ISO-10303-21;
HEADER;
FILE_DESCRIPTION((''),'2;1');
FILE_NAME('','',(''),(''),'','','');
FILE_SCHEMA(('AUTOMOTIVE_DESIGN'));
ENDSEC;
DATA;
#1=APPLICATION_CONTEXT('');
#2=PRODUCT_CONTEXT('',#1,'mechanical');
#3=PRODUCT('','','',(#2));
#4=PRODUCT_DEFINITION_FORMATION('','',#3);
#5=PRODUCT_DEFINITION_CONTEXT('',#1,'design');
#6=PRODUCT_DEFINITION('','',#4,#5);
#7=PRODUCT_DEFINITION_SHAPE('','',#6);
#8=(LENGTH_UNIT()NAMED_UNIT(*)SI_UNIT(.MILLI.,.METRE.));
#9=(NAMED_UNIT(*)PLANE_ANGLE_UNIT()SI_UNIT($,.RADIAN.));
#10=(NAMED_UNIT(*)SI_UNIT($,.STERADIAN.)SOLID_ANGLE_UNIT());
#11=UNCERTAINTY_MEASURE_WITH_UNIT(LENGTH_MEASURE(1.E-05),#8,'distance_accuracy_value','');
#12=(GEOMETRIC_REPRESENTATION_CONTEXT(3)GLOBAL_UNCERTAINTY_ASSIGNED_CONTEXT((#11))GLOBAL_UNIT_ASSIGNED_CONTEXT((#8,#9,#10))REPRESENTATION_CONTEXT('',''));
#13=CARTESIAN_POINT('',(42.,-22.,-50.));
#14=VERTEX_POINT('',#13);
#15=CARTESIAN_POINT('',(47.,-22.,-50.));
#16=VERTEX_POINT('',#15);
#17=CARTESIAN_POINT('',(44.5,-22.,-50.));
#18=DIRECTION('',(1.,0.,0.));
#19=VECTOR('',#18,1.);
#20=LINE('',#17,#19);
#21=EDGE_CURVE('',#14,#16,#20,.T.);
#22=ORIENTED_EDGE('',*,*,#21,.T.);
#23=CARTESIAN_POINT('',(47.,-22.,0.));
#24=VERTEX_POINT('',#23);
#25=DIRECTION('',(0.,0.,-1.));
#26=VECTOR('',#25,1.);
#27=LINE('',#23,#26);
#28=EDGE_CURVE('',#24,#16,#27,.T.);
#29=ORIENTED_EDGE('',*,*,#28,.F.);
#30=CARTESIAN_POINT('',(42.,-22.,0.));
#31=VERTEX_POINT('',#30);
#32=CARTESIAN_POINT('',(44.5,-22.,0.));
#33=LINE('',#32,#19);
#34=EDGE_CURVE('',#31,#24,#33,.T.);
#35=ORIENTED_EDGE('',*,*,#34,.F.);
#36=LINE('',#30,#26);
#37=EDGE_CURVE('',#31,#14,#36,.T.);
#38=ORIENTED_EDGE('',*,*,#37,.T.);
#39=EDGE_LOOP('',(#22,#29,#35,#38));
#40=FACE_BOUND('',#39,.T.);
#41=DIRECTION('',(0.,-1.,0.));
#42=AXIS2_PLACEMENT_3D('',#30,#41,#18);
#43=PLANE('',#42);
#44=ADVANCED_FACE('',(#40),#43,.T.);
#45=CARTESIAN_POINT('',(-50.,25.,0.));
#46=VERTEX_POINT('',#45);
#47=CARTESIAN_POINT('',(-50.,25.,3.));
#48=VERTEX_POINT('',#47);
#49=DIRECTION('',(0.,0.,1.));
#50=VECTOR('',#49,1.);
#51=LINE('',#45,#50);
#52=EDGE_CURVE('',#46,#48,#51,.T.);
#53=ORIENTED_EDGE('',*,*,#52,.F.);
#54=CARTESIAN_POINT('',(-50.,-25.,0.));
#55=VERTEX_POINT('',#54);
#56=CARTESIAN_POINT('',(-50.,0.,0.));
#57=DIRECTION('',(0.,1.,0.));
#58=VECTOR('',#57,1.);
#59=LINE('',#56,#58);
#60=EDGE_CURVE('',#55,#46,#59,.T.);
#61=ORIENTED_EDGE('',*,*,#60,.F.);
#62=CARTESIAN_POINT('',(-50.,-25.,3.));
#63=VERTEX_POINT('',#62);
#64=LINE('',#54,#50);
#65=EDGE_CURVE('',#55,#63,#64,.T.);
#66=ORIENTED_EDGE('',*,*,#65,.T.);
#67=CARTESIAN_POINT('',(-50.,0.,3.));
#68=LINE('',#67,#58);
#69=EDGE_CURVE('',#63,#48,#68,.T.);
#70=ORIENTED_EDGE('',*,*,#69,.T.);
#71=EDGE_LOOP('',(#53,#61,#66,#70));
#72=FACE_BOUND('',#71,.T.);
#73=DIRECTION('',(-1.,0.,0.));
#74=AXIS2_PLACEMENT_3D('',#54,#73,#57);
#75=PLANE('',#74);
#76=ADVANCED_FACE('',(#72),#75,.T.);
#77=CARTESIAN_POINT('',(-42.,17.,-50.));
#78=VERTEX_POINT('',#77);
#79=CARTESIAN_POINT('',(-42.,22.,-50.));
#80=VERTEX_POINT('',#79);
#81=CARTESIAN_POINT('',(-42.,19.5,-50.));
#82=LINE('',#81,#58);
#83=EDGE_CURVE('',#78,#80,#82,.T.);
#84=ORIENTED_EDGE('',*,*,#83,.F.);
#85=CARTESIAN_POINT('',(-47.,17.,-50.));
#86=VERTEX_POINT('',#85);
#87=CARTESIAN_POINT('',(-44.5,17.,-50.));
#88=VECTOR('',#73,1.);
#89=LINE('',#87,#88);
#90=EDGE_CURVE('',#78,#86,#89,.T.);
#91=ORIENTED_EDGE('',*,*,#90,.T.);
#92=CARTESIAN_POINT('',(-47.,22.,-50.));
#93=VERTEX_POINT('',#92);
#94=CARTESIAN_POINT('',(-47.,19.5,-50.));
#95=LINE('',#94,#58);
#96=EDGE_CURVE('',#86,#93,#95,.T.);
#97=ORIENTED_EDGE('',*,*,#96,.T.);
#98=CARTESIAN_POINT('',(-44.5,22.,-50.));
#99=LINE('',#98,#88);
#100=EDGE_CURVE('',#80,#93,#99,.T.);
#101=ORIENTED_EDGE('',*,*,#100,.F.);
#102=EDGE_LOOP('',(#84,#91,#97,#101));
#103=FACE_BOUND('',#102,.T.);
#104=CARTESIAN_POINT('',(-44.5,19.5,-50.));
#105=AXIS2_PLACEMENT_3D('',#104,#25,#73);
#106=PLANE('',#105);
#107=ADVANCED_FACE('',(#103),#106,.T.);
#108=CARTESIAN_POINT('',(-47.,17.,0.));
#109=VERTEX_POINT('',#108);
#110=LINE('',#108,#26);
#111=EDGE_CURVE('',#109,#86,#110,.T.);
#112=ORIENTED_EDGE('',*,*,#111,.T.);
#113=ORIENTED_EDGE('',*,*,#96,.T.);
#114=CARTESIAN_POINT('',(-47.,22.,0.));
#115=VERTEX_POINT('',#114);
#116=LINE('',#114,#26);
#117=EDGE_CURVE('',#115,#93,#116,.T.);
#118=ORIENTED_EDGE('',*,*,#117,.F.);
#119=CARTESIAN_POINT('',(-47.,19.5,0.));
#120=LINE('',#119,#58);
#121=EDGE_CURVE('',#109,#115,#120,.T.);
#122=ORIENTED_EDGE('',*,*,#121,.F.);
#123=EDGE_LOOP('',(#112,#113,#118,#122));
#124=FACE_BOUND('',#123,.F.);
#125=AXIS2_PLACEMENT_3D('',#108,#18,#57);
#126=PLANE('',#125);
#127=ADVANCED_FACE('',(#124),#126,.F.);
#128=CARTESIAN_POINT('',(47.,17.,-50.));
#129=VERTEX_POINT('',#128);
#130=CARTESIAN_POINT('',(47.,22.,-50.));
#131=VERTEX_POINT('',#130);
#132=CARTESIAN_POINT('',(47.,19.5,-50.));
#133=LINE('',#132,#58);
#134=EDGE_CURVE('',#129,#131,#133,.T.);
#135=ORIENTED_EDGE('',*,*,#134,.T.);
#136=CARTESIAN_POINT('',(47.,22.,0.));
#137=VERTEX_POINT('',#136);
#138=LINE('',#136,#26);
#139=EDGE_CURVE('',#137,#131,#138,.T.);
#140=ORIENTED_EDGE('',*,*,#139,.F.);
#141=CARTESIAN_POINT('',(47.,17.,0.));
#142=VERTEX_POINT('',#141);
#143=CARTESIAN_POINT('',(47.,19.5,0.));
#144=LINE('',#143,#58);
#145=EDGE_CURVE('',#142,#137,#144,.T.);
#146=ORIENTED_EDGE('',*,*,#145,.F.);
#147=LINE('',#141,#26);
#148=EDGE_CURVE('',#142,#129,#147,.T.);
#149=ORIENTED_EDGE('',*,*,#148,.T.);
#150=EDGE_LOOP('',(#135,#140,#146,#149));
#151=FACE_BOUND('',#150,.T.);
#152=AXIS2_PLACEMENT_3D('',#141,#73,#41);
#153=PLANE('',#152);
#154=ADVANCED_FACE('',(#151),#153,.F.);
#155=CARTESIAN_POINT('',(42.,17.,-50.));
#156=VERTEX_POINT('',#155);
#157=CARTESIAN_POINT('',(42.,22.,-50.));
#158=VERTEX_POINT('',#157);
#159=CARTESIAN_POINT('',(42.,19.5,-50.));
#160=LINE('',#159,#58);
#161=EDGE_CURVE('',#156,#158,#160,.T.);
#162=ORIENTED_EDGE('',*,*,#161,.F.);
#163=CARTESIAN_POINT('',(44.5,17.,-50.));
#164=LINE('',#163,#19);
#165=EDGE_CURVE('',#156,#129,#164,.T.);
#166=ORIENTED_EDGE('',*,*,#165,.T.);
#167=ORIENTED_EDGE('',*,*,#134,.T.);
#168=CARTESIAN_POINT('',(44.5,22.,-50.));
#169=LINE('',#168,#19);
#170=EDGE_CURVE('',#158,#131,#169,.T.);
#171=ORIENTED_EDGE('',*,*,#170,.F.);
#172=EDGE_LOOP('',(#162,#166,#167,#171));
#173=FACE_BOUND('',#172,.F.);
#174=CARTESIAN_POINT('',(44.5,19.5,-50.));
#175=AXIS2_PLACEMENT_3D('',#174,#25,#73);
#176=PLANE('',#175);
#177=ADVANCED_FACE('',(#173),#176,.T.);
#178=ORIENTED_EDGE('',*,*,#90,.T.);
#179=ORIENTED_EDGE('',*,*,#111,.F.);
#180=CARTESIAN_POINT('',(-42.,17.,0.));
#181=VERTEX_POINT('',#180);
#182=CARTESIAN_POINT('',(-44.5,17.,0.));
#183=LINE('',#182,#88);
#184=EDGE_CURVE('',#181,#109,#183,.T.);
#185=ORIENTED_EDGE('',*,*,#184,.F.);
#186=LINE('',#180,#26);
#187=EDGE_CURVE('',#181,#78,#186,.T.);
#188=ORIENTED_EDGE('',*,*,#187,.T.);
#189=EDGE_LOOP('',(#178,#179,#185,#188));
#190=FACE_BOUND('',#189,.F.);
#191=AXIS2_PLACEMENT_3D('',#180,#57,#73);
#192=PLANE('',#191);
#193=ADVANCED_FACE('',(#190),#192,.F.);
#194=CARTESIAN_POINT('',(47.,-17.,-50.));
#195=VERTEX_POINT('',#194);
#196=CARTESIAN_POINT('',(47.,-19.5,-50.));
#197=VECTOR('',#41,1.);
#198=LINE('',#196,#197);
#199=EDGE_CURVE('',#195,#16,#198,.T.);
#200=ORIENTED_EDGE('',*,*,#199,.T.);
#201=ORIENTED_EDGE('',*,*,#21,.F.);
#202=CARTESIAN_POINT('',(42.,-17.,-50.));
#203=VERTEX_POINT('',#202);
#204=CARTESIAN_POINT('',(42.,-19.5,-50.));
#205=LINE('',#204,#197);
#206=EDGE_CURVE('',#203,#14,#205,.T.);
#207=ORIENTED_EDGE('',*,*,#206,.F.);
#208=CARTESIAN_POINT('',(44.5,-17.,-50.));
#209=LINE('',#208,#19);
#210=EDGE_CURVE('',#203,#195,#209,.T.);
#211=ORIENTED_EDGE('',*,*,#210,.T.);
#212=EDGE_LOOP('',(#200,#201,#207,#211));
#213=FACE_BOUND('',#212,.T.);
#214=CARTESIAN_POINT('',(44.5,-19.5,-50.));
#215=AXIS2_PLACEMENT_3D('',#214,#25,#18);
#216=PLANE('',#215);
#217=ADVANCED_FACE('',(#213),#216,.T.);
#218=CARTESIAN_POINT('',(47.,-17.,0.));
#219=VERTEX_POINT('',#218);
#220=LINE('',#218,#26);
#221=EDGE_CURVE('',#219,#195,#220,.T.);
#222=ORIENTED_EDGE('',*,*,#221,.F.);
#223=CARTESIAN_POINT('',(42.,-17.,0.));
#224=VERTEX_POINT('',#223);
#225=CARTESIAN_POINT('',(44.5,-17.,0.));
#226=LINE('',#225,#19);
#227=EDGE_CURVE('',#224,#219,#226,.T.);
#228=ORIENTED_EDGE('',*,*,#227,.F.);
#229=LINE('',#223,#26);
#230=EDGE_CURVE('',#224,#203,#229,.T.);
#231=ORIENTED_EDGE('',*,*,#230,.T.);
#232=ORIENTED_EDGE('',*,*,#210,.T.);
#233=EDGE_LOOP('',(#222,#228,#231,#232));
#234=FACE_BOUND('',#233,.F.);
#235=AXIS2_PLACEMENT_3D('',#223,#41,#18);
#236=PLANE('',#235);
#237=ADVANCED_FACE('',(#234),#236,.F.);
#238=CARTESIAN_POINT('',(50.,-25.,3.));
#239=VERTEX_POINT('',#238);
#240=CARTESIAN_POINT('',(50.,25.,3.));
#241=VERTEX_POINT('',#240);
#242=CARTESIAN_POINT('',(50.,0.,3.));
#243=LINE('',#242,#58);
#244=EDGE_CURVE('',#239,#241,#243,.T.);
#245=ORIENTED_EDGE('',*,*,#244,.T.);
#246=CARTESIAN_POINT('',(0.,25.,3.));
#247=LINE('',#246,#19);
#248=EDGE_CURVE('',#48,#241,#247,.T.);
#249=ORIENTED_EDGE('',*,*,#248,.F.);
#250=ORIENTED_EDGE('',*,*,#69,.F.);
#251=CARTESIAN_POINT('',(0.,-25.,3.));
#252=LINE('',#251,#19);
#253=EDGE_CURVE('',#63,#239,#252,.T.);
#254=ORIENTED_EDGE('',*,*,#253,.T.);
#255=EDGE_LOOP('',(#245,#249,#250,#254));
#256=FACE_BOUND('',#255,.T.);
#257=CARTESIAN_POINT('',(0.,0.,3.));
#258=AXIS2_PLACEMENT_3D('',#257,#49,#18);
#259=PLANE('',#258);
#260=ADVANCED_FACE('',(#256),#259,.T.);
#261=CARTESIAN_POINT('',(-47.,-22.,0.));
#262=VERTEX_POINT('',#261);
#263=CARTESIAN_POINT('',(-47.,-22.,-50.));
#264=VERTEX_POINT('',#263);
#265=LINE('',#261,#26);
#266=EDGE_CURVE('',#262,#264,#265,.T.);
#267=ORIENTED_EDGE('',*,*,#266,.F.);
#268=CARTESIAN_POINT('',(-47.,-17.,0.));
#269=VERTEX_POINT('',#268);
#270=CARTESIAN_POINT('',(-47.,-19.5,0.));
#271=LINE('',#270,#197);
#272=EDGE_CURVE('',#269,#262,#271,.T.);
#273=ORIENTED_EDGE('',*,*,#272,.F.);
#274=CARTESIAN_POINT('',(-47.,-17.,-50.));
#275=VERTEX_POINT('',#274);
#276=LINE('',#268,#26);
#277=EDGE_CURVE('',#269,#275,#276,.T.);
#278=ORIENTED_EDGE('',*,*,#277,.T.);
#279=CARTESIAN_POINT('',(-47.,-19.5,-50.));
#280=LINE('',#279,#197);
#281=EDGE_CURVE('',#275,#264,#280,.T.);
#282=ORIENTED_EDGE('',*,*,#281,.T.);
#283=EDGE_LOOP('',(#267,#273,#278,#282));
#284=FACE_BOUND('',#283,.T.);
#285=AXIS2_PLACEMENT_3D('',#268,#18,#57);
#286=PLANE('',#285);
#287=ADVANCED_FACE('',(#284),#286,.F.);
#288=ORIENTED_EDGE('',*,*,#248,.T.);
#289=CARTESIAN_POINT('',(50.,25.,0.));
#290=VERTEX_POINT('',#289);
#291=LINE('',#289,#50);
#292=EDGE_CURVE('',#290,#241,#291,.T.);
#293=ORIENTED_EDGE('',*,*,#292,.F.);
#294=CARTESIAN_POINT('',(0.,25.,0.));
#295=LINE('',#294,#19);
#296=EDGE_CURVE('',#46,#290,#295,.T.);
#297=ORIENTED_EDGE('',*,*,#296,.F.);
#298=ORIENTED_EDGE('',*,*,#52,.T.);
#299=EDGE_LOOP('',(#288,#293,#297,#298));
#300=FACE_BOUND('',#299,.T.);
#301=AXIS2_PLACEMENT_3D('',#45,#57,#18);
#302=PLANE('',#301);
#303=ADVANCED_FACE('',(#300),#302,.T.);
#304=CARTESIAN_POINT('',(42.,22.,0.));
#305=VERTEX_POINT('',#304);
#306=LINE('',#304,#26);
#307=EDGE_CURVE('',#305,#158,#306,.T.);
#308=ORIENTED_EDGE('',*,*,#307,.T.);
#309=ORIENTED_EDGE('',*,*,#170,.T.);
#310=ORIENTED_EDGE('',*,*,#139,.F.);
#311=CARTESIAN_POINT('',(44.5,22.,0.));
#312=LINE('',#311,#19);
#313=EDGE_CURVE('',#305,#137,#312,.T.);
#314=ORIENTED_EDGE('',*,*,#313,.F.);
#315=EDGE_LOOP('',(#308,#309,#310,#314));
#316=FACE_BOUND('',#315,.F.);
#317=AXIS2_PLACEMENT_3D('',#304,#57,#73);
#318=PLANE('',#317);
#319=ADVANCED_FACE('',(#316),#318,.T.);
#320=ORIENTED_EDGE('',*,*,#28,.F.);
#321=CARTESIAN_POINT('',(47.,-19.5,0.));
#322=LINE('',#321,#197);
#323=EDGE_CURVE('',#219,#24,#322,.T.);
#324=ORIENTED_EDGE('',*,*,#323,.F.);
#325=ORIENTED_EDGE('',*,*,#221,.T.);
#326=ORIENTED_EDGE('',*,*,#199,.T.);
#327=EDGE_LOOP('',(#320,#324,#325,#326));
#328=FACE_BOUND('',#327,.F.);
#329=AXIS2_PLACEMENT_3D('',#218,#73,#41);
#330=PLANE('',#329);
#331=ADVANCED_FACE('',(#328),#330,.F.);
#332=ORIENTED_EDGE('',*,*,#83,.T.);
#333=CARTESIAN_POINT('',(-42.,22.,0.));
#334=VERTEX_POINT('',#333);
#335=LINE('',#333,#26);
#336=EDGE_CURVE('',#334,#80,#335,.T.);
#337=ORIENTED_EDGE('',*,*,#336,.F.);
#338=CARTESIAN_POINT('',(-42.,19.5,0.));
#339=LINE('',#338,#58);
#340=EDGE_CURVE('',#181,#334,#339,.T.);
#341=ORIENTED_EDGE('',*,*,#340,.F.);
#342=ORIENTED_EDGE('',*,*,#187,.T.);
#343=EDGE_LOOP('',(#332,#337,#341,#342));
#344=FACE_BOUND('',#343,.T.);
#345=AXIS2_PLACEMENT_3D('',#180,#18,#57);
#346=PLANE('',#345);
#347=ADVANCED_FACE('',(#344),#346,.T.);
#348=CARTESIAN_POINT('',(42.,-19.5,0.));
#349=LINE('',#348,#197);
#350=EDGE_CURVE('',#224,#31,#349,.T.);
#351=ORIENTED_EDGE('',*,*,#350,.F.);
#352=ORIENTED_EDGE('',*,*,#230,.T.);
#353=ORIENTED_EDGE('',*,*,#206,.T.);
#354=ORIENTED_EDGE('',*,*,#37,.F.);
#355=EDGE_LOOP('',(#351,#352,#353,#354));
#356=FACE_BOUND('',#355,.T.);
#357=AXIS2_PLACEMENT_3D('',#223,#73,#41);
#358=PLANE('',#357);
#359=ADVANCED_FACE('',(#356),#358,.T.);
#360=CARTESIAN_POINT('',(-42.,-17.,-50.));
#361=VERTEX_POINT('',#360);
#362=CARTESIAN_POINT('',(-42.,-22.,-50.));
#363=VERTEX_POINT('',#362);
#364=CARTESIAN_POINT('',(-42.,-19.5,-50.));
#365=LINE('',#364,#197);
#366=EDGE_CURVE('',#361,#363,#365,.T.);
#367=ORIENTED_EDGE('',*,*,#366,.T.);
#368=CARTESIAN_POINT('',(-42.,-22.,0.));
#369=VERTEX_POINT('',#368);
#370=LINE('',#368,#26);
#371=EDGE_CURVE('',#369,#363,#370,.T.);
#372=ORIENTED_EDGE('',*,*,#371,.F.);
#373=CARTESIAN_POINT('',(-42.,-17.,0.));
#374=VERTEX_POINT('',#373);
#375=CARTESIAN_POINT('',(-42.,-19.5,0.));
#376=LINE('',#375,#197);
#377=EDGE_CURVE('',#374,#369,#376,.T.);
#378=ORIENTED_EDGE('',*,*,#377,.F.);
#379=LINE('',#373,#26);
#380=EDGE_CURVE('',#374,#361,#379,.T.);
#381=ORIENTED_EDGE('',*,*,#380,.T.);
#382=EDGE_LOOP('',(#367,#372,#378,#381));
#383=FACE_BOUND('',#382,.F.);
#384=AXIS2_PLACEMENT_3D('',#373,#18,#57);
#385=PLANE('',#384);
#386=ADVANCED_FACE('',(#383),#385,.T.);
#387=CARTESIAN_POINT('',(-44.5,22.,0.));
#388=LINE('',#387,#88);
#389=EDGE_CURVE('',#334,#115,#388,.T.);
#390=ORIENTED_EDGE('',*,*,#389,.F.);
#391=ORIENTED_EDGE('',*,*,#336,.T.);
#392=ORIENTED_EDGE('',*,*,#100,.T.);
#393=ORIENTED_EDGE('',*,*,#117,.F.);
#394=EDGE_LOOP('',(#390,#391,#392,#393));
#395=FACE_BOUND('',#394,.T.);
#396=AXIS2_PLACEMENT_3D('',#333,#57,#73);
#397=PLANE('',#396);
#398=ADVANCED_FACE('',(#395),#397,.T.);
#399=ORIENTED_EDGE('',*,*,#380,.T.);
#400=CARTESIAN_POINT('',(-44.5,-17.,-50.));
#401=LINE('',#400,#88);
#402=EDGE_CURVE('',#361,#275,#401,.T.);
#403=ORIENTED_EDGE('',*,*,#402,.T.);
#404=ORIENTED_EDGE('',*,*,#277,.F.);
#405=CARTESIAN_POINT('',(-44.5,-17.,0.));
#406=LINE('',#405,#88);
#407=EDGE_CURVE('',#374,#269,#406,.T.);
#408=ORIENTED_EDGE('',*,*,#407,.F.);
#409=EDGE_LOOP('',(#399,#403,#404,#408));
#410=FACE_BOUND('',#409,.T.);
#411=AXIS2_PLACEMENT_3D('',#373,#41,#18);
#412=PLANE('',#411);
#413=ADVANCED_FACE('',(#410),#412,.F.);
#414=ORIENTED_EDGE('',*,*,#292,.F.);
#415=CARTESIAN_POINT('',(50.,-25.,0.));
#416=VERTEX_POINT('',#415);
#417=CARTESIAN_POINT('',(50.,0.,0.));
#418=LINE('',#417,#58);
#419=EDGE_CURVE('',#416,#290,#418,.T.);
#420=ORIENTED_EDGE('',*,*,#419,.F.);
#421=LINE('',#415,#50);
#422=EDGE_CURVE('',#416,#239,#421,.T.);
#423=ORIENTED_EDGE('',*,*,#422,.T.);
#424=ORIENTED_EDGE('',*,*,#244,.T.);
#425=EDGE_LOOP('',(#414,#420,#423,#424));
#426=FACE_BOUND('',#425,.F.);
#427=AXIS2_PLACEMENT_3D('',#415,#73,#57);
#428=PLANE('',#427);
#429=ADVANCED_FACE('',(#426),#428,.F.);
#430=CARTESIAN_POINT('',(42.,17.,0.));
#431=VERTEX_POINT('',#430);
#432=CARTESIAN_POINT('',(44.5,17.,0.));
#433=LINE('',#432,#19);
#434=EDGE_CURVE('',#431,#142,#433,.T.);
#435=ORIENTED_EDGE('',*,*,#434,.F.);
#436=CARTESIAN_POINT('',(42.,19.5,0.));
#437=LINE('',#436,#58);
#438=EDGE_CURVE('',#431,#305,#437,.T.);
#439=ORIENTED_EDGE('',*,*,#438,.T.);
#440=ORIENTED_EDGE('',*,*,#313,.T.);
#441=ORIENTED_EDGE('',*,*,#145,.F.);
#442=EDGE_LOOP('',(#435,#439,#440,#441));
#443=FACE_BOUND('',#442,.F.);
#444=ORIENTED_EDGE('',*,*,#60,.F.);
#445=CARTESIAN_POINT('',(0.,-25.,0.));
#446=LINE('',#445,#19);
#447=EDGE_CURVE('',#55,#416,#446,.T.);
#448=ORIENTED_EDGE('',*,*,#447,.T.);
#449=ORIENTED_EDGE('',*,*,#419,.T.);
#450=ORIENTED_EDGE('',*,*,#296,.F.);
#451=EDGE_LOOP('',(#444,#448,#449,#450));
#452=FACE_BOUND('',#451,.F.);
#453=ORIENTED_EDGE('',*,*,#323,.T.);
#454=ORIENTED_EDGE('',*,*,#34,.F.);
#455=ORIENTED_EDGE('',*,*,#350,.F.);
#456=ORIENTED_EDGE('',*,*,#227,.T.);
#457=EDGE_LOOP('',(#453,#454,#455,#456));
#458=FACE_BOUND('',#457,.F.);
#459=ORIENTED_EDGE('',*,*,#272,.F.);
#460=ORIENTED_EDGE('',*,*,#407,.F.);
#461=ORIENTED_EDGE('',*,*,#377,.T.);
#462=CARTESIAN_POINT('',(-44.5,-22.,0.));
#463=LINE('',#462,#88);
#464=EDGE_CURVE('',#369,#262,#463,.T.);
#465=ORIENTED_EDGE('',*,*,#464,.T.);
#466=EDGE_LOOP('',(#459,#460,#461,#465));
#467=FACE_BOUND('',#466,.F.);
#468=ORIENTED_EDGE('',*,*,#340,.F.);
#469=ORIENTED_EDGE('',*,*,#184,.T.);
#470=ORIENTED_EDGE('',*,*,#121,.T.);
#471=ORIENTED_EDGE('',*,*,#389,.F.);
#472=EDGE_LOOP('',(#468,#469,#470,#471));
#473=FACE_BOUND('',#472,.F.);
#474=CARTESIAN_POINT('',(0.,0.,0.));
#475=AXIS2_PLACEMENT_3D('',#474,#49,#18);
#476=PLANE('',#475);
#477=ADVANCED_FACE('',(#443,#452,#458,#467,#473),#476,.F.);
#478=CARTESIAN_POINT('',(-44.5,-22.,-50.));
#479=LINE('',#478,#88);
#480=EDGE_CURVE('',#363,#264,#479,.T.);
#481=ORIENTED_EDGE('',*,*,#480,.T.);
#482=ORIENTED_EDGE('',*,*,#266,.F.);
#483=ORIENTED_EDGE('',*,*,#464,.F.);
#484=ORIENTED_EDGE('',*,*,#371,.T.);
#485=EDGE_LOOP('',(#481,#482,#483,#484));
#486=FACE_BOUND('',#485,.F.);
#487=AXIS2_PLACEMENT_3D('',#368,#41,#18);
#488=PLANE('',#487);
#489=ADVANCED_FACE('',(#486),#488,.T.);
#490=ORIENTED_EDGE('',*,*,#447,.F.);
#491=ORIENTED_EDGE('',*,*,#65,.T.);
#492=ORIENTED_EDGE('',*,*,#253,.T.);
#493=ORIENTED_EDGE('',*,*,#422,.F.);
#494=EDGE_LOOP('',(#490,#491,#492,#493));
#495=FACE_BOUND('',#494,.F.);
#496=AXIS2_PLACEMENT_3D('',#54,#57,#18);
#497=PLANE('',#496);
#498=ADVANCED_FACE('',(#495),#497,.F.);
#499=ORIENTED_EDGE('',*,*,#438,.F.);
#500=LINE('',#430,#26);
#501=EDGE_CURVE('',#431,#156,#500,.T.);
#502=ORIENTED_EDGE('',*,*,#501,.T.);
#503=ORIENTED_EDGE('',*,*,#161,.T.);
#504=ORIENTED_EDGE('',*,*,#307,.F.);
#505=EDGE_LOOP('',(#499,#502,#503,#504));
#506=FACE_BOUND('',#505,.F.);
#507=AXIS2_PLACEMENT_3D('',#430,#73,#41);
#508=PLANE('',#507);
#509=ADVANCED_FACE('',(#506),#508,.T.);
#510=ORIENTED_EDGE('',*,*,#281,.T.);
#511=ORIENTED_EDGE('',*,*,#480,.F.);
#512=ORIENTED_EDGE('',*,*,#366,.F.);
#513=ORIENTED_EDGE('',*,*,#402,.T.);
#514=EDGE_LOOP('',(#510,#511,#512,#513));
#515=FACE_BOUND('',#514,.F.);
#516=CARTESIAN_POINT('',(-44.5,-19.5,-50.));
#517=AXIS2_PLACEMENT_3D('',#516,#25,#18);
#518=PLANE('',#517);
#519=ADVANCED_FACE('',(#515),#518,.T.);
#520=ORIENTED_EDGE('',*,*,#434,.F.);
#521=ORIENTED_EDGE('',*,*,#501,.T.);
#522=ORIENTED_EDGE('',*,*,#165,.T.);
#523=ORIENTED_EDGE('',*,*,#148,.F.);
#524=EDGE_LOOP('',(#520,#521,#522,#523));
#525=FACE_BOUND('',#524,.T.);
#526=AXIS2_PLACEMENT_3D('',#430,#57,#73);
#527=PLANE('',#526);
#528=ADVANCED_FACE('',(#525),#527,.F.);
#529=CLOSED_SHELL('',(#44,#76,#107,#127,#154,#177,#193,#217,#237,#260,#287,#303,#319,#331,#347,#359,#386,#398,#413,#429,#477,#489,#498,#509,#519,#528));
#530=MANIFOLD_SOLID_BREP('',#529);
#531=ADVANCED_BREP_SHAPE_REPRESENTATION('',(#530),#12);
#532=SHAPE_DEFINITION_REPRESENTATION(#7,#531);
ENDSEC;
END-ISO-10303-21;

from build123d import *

# Parameters (mm, degrees)
SKETCH_W           = 100
SKETCH_H           = 50
PAD_DEPTH          = 3
SKETCH001_W        = 5
SKETCH001_H        = 5
PAD001_DEPTH       = 50
POLARPATTERN_COUNT = 2


with BuildPart() as part:
    # Sketch → Pad (new body)
    with BuildSketch(Plane.XY):
        Rectangle(SKETCH_W, SKETCH_H)
    extrude(amount=PAD_DEPTH)

    # Sketch001 (on Face5 of Pad) → Pad001 (join)
    with BuildSketch(Plane(origin=(0, 0, 0), x_dir=(1, 0, 0), z_dir=(0, 0, -1))):
        with Locations((44.5, 19.5)):
            Rectangle(SKETCH001_W, SKETCH001_H)
    pad001 = extrude(amount=PAD001_DEPTH)

    # Mirrored: Pad001 across Sketch001 V_Axis
    add(pad001.mirror(Plane(origin=(0, 0, 0), x_dir=(0, 0, -1), z_dir=(1, 0, 0))))

    # Mirrored001: Pad001 across Sketch001 H_Axis
    add(pad001.mirror(Plane(origin=(0, 0, 0), x_dir=(0, 0, -1), z_dir=(0, -1, 0))))

    # PolarPattern: Pad001 ×2 about axis
    polarpattern_axis = Axis((0, 0, 0), (0, 0, -1))
    for i in range(1, POLARPATTERN_COUNT):
        add(pad001.rotate(polarpattern_axis, i * 360 / POLARPATTERN_COUNT))


solid = part.part
